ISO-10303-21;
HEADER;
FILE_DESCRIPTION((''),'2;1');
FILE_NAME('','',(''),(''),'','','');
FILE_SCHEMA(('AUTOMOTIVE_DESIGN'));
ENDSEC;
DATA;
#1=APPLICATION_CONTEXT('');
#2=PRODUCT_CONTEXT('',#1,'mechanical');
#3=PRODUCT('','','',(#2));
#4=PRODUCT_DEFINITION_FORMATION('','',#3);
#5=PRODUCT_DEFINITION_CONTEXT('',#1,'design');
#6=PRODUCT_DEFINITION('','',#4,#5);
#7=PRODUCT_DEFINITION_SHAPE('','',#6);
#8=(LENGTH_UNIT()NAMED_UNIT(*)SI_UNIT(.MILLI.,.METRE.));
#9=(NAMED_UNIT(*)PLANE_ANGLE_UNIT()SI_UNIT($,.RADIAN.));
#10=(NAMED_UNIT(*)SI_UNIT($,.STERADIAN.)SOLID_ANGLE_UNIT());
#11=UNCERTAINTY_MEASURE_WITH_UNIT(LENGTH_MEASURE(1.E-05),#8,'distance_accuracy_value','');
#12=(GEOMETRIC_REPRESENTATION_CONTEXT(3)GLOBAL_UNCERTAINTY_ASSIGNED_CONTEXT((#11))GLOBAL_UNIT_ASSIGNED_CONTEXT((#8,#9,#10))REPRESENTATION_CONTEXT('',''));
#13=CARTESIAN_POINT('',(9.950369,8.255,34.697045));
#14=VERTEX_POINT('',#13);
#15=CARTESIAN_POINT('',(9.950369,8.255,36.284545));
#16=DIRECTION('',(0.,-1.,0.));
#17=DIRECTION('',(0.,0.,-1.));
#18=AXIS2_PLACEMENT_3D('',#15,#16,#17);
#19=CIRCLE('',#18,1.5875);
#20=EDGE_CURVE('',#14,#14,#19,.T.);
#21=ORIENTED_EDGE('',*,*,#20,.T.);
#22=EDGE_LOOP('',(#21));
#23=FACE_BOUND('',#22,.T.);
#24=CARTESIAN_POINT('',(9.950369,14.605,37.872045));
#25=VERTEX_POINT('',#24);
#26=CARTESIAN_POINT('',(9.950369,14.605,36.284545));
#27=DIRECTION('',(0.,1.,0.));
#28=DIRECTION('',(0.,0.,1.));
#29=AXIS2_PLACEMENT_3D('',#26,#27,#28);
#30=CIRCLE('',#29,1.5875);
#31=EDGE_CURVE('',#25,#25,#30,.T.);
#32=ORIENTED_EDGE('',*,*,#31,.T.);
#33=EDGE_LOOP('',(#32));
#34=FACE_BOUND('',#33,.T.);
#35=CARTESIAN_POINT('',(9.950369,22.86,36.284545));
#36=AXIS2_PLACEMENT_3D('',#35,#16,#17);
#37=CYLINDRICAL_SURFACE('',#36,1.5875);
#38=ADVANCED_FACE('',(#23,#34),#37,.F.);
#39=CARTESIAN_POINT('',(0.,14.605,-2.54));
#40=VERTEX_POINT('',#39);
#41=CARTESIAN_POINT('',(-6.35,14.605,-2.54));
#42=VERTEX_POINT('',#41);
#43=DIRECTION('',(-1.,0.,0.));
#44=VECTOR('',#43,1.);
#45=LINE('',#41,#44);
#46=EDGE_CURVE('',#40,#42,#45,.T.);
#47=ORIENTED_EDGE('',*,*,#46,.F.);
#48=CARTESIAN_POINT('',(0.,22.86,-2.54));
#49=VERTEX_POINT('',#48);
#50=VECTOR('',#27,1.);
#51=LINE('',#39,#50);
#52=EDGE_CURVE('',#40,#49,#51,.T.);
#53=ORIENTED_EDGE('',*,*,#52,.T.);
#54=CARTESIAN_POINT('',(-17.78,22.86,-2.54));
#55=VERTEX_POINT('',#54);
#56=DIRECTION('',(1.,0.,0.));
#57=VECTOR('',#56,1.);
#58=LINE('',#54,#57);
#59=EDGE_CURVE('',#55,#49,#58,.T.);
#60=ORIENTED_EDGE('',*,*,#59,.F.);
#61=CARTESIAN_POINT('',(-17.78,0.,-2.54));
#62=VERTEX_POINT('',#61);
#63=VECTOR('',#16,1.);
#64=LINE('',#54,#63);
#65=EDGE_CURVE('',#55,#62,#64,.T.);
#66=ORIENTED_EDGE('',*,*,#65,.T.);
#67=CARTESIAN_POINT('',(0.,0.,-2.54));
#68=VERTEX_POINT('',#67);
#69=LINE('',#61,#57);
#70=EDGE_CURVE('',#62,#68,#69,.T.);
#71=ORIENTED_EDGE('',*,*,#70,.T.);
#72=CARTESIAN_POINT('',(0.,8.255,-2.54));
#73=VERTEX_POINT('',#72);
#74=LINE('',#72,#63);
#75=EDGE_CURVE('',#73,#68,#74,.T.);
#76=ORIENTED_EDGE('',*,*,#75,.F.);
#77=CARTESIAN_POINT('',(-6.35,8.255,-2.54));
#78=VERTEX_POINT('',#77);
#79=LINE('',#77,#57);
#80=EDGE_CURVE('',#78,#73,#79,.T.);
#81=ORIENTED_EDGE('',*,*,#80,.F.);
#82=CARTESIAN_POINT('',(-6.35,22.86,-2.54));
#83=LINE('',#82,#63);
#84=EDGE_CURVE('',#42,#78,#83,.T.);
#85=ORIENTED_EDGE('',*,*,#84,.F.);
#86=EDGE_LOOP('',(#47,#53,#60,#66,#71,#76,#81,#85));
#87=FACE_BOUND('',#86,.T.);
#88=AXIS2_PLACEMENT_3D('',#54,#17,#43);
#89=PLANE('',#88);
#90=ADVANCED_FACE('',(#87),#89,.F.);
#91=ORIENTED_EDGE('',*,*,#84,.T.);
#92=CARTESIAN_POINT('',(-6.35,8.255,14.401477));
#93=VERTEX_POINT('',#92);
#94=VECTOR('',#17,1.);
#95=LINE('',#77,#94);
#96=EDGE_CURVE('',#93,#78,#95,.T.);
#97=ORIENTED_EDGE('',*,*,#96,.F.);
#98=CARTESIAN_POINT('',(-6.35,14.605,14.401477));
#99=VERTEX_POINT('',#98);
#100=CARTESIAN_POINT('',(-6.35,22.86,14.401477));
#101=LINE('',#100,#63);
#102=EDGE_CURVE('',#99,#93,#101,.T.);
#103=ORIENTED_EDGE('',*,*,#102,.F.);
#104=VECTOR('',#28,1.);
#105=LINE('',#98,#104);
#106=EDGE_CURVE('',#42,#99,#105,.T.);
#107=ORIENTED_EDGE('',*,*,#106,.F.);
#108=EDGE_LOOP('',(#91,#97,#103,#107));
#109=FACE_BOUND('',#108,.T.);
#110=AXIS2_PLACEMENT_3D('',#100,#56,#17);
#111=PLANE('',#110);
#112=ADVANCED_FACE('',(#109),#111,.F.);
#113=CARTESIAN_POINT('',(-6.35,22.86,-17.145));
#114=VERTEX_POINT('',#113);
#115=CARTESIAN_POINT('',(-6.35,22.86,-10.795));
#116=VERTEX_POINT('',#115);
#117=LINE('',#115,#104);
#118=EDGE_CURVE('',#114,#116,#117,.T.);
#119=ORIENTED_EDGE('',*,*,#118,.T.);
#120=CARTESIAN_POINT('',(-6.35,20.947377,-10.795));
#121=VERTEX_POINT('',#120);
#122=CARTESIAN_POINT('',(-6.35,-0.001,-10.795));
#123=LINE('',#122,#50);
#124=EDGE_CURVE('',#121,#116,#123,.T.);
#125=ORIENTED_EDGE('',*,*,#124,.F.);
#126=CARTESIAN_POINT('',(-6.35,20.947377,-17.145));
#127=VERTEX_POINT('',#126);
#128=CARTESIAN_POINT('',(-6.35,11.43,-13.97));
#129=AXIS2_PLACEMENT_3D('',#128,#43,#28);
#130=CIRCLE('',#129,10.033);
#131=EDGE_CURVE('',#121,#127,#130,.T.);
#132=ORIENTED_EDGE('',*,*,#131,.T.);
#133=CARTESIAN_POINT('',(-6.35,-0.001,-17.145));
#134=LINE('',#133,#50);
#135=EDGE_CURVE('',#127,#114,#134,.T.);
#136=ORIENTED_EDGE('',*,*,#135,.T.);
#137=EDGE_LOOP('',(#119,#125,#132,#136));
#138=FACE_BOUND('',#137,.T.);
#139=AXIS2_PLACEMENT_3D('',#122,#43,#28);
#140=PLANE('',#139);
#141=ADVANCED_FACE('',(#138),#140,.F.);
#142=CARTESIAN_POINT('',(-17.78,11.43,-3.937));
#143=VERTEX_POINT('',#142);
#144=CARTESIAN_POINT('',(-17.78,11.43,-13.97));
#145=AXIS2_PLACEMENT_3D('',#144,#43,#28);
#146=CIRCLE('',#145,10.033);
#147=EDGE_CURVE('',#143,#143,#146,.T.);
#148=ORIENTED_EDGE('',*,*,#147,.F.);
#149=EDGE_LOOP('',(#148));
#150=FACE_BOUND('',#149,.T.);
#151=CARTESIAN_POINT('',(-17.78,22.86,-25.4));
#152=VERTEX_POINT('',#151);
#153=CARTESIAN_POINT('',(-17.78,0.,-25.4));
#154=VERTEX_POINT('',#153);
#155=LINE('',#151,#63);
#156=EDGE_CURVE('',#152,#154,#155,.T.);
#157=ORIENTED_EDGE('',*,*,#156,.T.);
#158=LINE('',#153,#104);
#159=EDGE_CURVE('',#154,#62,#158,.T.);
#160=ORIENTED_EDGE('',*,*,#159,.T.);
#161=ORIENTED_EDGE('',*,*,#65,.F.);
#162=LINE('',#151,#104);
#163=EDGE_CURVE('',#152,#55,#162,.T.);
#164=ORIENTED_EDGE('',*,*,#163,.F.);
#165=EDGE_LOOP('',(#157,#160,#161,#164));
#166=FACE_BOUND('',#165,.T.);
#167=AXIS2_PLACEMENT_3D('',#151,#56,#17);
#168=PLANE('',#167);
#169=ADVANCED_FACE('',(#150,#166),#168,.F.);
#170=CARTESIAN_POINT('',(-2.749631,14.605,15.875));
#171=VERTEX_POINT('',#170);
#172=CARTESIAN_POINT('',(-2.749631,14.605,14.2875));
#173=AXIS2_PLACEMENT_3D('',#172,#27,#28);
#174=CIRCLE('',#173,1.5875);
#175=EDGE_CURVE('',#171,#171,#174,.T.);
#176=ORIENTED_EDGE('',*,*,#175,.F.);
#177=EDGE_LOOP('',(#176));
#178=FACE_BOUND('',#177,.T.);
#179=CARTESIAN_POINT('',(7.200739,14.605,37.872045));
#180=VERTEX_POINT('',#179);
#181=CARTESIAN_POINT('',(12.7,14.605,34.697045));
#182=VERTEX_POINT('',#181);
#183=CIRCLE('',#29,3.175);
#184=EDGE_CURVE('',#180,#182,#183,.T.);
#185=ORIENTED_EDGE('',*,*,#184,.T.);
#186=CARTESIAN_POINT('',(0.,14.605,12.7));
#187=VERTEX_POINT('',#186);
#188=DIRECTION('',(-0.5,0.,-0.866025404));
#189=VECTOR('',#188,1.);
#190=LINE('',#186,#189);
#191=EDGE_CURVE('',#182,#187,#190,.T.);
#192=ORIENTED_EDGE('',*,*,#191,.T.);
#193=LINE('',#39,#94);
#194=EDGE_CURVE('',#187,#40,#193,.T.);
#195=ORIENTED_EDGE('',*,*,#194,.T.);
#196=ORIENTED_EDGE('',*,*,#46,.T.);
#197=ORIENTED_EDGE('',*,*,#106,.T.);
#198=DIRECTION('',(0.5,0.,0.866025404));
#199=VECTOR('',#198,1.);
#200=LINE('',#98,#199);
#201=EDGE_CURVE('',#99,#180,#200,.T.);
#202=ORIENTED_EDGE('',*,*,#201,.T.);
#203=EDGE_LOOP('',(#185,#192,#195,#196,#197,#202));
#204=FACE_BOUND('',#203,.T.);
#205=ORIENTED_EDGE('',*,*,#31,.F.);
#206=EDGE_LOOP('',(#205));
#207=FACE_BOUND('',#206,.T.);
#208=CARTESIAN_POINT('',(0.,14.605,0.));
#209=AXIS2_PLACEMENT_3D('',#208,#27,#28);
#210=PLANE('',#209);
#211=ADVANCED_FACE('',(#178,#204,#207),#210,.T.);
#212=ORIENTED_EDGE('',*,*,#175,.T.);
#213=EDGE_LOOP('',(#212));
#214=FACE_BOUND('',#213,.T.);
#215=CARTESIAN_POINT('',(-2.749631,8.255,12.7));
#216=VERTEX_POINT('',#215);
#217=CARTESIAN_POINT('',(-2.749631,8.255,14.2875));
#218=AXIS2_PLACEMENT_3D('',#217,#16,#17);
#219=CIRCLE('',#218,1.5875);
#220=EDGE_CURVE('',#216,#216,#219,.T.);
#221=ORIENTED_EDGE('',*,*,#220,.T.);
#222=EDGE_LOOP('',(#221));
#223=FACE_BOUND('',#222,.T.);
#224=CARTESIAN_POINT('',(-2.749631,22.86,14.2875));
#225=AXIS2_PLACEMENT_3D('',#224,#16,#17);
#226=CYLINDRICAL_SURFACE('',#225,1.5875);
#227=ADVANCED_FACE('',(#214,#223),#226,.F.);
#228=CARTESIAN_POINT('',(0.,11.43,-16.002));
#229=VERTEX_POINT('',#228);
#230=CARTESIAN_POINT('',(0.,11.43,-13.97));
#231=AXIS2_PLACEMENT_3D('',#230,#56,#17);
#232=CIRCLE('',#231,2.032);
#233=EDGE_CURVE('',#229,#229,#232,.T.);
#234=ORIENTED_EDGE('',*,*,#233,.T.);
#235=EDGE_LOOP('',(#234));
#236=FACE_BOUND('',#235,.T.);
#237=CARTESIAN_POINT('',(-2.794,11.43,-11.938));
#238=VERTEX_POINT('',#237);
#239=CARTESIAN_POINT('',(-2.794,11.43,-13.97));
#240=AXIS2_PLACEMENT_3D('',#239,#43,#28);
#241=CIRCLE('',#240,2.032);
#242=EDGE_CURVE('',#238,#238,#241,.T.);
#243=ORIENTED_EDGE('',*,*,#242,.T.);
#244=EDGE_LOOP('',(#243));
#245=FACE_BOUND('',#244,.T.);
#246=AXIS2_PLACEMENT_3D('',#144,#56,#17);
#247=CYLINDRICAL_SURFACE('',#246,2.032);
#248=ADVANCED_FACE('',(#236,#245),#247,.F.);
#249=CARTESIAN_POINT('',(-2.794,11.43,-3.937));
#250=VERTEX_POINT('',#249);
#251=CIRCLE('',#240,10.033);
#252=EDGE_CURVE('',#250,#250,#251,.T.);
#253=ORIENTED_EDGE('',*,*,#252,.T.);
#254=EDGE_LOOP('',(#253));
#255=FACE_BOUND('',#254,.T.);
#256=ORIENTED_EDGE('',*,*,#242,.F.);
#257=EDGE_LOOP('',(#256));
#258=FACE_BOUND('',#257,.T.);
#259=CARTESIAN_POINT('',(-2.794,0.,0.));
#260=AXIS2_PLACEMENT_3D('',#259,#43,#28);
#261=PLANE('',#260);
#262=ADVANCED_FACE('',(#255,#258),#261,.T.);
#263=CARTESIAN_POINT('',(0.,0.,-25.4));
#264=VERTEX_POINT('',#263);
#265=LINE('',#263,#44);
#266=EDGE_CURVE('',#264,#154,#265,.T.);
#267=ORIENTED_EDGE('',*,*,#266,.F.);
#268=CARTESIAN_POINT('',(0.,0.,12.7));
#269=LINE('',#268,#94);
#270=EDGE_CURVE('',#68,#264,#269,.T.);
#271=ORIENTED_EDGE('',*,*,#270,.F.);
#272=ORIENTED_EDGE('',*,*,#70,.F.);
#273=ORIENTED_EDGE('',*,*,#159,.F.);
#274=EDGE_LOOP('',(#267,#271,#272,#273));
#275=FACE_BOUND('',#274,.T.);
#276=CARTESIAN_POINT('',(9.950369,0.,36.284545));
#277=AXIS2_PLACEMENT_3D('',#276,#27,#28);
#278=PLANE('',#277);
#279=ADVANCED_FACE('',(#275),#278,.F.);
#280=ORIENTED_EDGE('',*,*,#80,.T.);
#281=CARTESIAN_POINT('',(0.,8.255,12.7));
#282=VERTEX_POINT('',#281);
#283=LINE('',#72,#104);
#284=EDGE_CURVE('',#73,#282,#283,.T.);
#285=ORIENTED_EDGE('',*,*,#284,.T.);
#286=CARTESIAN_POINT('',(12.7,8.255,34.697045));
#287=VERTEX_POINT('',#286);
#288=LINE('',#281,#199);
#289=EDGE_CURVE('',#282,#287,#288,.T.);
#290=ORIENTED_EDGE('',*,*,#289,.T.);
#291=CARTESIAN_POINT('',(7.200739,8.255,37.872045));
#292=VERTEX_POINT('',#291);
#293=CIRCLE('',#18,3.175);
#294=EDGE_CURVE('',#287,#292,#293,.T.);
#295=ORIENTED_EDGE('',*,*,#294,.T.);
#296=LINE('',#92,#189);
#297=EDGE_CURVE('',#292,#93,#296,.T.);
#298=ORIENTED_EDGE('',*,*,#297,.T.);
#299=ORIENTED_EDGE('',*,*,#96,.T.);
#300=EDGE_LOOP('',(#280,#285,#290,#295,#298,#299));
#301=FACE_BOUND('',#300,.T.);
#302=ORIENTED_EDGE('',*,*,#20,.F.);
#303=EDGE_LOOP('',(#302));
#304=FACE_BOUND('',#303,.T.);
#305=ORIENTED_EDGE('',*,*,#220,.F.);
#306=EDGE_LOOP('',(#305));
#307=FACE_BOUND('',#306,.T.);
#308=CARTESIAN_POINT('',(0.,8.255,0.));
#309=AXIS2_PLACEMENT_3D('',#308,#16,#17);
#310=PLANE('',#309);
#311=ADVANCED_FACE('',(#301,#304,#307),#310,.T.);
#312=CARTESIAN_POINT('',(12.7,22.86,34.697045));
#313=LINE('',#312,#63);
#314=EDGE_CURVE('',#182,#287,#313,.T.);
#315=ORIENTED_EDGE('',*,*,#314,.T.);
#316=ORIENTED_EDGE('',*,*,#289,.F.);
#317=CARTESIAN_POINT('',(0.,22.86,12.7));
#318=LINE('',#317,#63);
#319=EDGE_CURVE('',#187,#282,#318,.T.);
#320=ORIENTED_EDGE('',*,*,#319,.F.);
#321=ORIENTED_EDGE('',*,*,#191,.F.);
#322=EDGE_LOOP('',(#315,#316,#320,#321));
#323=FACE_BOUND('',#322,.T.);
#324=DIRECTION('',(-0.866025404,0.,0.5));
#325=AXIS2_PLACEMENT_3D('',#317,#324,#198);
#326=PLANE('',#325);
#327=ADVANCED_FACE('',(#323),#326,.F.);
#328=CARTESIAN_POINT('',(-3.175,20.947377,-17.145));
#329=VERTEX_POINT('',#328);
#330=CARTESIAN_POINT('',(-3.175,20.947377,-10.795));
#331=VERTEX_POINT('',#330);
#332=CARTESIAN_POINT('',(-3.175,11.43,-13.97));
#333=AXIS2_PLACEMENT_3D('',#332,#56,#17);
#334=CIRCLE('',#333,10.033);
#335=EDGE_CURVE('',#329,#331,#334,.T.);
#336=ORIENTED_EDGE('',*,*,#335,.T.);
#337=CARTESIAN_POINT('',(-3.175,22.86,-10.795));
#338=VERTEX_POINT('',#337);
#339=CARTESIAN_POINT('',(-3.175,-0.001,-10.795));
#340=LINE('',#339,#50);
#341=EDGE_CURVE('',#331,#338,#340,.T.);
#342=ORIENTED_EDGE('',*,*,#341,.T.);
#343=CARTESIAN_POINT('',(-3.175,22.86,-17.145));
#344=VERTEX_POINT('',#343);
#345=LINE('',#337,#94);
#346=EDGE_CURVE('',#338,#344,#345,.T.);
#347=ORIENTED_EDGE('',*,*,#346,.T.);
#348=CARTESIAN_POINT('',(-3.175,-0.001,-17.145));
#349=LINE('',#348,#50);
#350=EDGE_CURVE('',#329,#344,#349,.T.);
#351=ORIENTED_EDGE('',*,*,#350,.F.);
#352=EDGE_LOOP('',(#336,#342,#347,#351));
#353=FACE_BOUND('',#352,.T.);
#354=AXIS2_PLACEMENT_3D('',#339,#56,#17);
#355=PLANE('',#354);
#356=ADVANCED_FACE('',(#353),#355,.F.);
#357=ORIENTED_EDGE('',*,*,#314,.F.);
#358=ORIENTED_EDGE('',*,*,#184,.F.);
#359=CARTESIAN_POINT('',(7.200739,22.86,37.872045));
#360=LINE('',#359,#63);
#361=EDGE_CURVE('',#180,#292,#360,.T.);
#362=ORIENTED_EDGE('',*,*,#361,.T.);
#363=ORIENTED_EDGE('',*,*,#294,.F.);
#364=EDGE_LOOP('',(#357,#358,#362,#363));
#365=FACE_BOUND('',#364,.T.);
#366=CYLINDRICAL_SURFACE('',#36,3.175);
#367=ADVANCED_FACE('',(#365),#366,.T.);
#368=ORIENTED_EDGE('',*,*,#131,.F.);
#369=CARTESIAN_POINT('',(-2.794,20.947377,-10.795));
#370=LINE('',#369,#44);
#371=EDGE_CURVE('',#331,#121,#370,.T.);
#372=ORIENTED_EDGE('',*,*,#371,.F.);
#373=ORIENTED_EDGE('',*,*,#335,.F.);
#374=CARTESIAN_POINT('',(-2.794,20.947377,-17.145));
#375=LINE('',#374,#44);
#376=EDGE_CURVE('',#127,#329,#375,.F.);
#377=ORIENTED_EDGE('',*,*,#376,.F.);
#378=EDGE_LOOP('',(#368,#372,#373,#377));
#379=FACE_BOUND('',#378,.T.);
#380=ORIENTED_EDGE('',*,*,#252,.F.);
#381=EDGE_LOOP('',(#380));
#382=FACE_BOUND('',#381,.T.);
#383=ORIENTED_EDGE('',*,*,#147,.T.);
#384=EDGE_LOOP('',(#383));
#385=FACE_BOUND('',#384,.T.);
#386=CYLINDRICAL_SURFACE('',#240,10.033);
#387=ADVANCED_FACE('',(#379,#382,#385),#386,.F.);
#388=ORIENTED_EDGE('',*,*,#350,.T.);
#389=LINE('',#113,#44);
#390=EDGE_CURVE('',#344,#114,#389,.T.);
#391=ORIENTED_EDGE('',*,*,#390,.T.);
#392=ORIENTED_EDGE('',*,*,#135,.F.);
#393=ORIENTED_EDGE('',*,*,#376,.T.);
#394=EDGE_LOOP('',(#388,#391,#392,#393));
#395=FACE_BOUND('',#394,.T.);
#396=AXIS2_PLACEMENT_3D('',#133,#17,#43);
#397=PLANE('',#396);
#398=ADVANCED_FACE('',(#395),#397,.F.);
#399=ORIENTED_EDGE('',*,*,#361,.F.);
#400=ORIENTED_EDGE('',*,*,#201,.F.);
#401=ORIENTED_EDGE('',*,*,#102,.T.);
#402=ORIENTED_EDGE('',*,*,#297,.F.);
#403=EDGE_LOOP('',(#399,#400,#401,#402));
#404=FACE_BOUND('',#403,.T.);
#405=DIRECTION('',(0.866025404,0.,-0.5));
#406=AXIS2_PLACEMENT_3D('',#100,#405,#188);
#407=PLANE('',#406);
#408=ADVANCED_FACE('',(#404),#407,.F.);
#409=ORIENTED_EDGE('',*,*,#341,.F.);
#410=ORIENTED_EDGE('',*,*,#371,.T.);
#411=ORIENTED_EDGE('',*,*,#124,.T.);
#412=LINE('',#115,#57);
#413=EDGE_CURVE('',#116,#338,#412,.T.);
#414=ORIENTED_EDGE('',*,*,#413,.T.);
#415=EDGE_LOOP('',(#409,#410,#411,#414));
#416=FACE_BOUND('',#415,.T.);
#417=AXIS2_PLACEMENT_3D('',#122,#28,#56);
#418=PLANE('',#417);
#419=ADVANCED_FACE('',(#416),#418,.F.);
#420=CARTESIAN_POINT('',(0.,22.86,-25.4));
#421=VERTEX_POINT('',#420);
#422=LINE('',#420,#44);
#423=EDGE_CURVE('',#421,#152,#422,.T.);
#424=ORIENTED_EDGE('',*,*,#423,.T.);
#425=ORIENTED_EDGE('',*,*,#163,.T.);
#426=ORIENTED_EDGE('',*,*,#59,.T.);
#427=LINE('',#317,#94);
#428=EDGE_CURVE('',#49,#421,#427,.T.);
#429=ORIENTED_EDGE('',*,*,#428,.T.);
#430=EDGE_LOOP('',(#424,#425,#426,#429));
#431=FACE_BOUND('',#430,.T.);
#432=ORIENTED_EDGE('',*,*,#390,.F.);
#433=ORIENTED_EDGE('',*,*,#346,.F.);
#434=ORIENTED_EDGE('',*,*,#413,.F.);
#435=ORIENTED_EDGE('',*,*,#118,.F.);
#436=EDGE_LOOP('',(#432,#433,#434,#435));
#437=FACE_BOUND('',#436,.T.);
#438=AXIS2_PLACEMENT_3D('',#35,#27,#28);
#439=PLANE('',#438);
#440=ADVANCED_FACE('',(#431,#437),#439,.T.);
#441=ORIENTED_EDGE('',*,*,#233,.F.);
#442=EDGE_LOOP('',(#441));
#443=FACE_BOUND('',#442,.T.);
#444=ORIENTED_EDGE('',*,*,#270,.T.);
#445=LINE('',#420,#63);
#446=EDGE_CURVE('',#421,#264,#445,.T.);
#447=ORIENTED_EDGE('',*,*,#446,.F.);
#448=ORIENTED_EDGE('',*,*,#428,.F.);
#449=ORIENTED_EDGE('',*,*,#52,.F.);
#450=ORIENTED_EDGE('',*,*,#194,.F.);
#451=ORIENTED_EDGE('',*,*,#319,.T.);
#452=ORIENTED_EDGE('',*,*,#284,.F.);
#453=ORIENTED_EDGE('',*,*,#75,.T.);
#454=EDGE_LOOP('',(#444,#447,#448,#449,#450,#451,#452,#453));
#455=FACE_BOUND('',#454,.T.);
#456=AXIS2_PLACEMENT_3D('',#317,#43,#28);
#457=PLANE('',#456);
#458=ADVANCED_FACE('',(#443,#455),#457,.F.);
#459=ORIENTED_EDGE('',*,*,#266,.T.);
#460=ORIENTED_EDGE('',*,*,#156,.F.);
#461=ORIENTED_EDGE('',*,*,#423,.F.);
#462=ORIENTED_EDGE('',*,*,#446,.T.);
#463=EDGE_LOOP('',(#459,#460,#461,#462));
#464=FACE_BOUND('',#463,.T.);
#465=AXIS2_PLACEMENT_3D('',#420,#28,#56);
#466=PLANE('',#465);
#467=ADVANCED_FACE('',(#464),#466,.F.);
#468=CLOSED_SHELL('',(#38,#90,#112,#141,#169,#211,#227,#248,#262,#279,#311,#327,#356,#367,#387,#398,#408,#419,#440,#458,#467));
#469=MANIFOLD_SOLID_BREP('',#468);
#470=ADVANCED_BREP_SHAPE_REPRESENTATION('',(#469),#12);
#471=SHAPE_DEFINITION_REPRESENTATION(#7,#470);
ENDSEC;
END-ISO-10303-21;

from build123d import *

# Parameters (mm, degrees)
SKETCH1_R               = 1.5875
BOSS_EXTRUDE1_DEPTH     = 22.86
TOP_CUT_DEPTH           = 8.255
BOTTOM_CUT_DEPTH        = 8.255
SKETCH5_R               = 10.033
CUT_EXTRUDE1_DEPTH      = 14.986
SKETCH7_R               = 2.032
CUT_EXTRUDE2_DEPTH      = 49.946539324
CUT_EXTRUDE3_REACH      = 50.947
CUT_EXTRUDE3_END_RADIUS = 10.033
SKETCH8_W               = 3.175
SKETCH8_H               = 6.35


with BuildPart() as part:
    # Sketch1 → Boss-Extrude1 (new body)
    with BuildSketch(Plane(origin=(0, 0, 0), x_dir=(1, 0, 0), z_dir=(0, 1, 0))):
        with BuildLine():
            Line((-6.35, -14.401477372), (-6.35, 2.54))
            Line((-6.35, 2.54), (-17.78, 2.54))
            Line((-17.78, 2.54), (-17.78, 25.4))
            Line((-17.78, 25.4), (0, 25.4))
            Line((0, 25.4), (0, -12.7))
            Line((0, -12.7), (12.7, -34.697045256))
            ThreePointArc((12.7, -34.697045256), (11.537869343, -39.034175913), (7.200738686, -37.872045256))
            Line((7.200738686, -37.872045256), (-6.35, -14.401477372))
        make_face()
        with Locations(Location((9.950369343, -36.284545256, 0), (0, 0, 270))):
            Circle(SKETCH1_R, mode=Mode.SUBTRACT)
        with Locations(Location((-2.749630657, -14.2875, 0), (0, 0, 270))):
            Circle(SKETCH1_R, mode=Mode.SUBTRACT)
    extrude(amount=BOSS_EXTRUDE1_DEPTH)

    # Sketch2 → Top Cut (cut)
    with BuildSketch(Plane(origin=(0, 22.86, 0), x_dir=(1, 0, 0), z_dir=(0, 1, 0))):
        Polygon((-6.35, -14.401477372), (8.788238686, -40.621675913), (14.2875, -37.446675913), (0, -12.7), (0, 2.54), (-6.35, 2.54), align=None)
    extrude(amount=-TOP_CUT_DEPTH, mode=Mode.SUBTRACT)

    # Sketch4 → Bottom Cut (cut)
    with BuildSketch(Plane.XZ):
        Polygon((-6.35, -2.54), (-6.35, 14.401477372), (8.788238686, 40.621675913), (14.2875, 37.446675913), (0, 12.7), (0, -2.54), align=None)
    extrude(amount=-BOTTOM_CUT_DEPTH, mode=Mode.SUBTRACT)

    # Sketch5 → Cut-Extrude1 (cut)
    with BuildSketch(Plane.ZY.offset(17.78)):
        with Locations((-13.97, 11.43)):
            Circle(SKETCH5_R)
    extrude(amount=-CUT_EXTRUDE1_DEPTH, mode=Mode.SUBTRACT)

    # Sketch7 → Cut-Extrude2 (cut, through all)
    with BuildSketch(Plane(origin=(0, 0, 0), x_dir=(0, 0, -1), z_dir=(1, 0, 0))):
        with Locations((13.97, 11.43)):
            Circle(SKETCH7_R)
    extrude(amount=-CUT_EXTRUDE2_DEPTH, mode=Mode.SUBTRACT)

    # Cut-Extrude3: up to this cylinder (the profile starts outside it)
    cut_extrude3_end = Plane(origin=(-4.7625, 11.43, -13.97), z_dir=(-1, 0, 0)) * Cylinder(CUT_EXTRUDE3_END_RADIUS, 122.96, mode=Mode.PRIVATE)
    # Sketch8 → Cut-Extrude3 (cut, up to the surface)
    with BuildSketch(Plane(origin=(0, 22.86, 0), x_dir=(1, 0, 0), z_dir=(0, 1, 0)), mode=Mode.PRIVATE) as cut_extrude3_sk1:
        with Locations((-4.7625, 13.97)):
            Rectangle(SKETCH8_W, SKETCH8_H)
    cut_extrude3_tool1 = extrude(cut_extrude3_sk1.sketch, amount=-CUT_EXTRUDE3_REACH, mode=Mode.PRIVATE) - cut_extrude3_end
    add(cut_extrude3_tool1.solids().sort_by_distance((-4.7625, 22.86, -13.97))[0], mode=Mode.SUBTRACT)


solid = part.part
